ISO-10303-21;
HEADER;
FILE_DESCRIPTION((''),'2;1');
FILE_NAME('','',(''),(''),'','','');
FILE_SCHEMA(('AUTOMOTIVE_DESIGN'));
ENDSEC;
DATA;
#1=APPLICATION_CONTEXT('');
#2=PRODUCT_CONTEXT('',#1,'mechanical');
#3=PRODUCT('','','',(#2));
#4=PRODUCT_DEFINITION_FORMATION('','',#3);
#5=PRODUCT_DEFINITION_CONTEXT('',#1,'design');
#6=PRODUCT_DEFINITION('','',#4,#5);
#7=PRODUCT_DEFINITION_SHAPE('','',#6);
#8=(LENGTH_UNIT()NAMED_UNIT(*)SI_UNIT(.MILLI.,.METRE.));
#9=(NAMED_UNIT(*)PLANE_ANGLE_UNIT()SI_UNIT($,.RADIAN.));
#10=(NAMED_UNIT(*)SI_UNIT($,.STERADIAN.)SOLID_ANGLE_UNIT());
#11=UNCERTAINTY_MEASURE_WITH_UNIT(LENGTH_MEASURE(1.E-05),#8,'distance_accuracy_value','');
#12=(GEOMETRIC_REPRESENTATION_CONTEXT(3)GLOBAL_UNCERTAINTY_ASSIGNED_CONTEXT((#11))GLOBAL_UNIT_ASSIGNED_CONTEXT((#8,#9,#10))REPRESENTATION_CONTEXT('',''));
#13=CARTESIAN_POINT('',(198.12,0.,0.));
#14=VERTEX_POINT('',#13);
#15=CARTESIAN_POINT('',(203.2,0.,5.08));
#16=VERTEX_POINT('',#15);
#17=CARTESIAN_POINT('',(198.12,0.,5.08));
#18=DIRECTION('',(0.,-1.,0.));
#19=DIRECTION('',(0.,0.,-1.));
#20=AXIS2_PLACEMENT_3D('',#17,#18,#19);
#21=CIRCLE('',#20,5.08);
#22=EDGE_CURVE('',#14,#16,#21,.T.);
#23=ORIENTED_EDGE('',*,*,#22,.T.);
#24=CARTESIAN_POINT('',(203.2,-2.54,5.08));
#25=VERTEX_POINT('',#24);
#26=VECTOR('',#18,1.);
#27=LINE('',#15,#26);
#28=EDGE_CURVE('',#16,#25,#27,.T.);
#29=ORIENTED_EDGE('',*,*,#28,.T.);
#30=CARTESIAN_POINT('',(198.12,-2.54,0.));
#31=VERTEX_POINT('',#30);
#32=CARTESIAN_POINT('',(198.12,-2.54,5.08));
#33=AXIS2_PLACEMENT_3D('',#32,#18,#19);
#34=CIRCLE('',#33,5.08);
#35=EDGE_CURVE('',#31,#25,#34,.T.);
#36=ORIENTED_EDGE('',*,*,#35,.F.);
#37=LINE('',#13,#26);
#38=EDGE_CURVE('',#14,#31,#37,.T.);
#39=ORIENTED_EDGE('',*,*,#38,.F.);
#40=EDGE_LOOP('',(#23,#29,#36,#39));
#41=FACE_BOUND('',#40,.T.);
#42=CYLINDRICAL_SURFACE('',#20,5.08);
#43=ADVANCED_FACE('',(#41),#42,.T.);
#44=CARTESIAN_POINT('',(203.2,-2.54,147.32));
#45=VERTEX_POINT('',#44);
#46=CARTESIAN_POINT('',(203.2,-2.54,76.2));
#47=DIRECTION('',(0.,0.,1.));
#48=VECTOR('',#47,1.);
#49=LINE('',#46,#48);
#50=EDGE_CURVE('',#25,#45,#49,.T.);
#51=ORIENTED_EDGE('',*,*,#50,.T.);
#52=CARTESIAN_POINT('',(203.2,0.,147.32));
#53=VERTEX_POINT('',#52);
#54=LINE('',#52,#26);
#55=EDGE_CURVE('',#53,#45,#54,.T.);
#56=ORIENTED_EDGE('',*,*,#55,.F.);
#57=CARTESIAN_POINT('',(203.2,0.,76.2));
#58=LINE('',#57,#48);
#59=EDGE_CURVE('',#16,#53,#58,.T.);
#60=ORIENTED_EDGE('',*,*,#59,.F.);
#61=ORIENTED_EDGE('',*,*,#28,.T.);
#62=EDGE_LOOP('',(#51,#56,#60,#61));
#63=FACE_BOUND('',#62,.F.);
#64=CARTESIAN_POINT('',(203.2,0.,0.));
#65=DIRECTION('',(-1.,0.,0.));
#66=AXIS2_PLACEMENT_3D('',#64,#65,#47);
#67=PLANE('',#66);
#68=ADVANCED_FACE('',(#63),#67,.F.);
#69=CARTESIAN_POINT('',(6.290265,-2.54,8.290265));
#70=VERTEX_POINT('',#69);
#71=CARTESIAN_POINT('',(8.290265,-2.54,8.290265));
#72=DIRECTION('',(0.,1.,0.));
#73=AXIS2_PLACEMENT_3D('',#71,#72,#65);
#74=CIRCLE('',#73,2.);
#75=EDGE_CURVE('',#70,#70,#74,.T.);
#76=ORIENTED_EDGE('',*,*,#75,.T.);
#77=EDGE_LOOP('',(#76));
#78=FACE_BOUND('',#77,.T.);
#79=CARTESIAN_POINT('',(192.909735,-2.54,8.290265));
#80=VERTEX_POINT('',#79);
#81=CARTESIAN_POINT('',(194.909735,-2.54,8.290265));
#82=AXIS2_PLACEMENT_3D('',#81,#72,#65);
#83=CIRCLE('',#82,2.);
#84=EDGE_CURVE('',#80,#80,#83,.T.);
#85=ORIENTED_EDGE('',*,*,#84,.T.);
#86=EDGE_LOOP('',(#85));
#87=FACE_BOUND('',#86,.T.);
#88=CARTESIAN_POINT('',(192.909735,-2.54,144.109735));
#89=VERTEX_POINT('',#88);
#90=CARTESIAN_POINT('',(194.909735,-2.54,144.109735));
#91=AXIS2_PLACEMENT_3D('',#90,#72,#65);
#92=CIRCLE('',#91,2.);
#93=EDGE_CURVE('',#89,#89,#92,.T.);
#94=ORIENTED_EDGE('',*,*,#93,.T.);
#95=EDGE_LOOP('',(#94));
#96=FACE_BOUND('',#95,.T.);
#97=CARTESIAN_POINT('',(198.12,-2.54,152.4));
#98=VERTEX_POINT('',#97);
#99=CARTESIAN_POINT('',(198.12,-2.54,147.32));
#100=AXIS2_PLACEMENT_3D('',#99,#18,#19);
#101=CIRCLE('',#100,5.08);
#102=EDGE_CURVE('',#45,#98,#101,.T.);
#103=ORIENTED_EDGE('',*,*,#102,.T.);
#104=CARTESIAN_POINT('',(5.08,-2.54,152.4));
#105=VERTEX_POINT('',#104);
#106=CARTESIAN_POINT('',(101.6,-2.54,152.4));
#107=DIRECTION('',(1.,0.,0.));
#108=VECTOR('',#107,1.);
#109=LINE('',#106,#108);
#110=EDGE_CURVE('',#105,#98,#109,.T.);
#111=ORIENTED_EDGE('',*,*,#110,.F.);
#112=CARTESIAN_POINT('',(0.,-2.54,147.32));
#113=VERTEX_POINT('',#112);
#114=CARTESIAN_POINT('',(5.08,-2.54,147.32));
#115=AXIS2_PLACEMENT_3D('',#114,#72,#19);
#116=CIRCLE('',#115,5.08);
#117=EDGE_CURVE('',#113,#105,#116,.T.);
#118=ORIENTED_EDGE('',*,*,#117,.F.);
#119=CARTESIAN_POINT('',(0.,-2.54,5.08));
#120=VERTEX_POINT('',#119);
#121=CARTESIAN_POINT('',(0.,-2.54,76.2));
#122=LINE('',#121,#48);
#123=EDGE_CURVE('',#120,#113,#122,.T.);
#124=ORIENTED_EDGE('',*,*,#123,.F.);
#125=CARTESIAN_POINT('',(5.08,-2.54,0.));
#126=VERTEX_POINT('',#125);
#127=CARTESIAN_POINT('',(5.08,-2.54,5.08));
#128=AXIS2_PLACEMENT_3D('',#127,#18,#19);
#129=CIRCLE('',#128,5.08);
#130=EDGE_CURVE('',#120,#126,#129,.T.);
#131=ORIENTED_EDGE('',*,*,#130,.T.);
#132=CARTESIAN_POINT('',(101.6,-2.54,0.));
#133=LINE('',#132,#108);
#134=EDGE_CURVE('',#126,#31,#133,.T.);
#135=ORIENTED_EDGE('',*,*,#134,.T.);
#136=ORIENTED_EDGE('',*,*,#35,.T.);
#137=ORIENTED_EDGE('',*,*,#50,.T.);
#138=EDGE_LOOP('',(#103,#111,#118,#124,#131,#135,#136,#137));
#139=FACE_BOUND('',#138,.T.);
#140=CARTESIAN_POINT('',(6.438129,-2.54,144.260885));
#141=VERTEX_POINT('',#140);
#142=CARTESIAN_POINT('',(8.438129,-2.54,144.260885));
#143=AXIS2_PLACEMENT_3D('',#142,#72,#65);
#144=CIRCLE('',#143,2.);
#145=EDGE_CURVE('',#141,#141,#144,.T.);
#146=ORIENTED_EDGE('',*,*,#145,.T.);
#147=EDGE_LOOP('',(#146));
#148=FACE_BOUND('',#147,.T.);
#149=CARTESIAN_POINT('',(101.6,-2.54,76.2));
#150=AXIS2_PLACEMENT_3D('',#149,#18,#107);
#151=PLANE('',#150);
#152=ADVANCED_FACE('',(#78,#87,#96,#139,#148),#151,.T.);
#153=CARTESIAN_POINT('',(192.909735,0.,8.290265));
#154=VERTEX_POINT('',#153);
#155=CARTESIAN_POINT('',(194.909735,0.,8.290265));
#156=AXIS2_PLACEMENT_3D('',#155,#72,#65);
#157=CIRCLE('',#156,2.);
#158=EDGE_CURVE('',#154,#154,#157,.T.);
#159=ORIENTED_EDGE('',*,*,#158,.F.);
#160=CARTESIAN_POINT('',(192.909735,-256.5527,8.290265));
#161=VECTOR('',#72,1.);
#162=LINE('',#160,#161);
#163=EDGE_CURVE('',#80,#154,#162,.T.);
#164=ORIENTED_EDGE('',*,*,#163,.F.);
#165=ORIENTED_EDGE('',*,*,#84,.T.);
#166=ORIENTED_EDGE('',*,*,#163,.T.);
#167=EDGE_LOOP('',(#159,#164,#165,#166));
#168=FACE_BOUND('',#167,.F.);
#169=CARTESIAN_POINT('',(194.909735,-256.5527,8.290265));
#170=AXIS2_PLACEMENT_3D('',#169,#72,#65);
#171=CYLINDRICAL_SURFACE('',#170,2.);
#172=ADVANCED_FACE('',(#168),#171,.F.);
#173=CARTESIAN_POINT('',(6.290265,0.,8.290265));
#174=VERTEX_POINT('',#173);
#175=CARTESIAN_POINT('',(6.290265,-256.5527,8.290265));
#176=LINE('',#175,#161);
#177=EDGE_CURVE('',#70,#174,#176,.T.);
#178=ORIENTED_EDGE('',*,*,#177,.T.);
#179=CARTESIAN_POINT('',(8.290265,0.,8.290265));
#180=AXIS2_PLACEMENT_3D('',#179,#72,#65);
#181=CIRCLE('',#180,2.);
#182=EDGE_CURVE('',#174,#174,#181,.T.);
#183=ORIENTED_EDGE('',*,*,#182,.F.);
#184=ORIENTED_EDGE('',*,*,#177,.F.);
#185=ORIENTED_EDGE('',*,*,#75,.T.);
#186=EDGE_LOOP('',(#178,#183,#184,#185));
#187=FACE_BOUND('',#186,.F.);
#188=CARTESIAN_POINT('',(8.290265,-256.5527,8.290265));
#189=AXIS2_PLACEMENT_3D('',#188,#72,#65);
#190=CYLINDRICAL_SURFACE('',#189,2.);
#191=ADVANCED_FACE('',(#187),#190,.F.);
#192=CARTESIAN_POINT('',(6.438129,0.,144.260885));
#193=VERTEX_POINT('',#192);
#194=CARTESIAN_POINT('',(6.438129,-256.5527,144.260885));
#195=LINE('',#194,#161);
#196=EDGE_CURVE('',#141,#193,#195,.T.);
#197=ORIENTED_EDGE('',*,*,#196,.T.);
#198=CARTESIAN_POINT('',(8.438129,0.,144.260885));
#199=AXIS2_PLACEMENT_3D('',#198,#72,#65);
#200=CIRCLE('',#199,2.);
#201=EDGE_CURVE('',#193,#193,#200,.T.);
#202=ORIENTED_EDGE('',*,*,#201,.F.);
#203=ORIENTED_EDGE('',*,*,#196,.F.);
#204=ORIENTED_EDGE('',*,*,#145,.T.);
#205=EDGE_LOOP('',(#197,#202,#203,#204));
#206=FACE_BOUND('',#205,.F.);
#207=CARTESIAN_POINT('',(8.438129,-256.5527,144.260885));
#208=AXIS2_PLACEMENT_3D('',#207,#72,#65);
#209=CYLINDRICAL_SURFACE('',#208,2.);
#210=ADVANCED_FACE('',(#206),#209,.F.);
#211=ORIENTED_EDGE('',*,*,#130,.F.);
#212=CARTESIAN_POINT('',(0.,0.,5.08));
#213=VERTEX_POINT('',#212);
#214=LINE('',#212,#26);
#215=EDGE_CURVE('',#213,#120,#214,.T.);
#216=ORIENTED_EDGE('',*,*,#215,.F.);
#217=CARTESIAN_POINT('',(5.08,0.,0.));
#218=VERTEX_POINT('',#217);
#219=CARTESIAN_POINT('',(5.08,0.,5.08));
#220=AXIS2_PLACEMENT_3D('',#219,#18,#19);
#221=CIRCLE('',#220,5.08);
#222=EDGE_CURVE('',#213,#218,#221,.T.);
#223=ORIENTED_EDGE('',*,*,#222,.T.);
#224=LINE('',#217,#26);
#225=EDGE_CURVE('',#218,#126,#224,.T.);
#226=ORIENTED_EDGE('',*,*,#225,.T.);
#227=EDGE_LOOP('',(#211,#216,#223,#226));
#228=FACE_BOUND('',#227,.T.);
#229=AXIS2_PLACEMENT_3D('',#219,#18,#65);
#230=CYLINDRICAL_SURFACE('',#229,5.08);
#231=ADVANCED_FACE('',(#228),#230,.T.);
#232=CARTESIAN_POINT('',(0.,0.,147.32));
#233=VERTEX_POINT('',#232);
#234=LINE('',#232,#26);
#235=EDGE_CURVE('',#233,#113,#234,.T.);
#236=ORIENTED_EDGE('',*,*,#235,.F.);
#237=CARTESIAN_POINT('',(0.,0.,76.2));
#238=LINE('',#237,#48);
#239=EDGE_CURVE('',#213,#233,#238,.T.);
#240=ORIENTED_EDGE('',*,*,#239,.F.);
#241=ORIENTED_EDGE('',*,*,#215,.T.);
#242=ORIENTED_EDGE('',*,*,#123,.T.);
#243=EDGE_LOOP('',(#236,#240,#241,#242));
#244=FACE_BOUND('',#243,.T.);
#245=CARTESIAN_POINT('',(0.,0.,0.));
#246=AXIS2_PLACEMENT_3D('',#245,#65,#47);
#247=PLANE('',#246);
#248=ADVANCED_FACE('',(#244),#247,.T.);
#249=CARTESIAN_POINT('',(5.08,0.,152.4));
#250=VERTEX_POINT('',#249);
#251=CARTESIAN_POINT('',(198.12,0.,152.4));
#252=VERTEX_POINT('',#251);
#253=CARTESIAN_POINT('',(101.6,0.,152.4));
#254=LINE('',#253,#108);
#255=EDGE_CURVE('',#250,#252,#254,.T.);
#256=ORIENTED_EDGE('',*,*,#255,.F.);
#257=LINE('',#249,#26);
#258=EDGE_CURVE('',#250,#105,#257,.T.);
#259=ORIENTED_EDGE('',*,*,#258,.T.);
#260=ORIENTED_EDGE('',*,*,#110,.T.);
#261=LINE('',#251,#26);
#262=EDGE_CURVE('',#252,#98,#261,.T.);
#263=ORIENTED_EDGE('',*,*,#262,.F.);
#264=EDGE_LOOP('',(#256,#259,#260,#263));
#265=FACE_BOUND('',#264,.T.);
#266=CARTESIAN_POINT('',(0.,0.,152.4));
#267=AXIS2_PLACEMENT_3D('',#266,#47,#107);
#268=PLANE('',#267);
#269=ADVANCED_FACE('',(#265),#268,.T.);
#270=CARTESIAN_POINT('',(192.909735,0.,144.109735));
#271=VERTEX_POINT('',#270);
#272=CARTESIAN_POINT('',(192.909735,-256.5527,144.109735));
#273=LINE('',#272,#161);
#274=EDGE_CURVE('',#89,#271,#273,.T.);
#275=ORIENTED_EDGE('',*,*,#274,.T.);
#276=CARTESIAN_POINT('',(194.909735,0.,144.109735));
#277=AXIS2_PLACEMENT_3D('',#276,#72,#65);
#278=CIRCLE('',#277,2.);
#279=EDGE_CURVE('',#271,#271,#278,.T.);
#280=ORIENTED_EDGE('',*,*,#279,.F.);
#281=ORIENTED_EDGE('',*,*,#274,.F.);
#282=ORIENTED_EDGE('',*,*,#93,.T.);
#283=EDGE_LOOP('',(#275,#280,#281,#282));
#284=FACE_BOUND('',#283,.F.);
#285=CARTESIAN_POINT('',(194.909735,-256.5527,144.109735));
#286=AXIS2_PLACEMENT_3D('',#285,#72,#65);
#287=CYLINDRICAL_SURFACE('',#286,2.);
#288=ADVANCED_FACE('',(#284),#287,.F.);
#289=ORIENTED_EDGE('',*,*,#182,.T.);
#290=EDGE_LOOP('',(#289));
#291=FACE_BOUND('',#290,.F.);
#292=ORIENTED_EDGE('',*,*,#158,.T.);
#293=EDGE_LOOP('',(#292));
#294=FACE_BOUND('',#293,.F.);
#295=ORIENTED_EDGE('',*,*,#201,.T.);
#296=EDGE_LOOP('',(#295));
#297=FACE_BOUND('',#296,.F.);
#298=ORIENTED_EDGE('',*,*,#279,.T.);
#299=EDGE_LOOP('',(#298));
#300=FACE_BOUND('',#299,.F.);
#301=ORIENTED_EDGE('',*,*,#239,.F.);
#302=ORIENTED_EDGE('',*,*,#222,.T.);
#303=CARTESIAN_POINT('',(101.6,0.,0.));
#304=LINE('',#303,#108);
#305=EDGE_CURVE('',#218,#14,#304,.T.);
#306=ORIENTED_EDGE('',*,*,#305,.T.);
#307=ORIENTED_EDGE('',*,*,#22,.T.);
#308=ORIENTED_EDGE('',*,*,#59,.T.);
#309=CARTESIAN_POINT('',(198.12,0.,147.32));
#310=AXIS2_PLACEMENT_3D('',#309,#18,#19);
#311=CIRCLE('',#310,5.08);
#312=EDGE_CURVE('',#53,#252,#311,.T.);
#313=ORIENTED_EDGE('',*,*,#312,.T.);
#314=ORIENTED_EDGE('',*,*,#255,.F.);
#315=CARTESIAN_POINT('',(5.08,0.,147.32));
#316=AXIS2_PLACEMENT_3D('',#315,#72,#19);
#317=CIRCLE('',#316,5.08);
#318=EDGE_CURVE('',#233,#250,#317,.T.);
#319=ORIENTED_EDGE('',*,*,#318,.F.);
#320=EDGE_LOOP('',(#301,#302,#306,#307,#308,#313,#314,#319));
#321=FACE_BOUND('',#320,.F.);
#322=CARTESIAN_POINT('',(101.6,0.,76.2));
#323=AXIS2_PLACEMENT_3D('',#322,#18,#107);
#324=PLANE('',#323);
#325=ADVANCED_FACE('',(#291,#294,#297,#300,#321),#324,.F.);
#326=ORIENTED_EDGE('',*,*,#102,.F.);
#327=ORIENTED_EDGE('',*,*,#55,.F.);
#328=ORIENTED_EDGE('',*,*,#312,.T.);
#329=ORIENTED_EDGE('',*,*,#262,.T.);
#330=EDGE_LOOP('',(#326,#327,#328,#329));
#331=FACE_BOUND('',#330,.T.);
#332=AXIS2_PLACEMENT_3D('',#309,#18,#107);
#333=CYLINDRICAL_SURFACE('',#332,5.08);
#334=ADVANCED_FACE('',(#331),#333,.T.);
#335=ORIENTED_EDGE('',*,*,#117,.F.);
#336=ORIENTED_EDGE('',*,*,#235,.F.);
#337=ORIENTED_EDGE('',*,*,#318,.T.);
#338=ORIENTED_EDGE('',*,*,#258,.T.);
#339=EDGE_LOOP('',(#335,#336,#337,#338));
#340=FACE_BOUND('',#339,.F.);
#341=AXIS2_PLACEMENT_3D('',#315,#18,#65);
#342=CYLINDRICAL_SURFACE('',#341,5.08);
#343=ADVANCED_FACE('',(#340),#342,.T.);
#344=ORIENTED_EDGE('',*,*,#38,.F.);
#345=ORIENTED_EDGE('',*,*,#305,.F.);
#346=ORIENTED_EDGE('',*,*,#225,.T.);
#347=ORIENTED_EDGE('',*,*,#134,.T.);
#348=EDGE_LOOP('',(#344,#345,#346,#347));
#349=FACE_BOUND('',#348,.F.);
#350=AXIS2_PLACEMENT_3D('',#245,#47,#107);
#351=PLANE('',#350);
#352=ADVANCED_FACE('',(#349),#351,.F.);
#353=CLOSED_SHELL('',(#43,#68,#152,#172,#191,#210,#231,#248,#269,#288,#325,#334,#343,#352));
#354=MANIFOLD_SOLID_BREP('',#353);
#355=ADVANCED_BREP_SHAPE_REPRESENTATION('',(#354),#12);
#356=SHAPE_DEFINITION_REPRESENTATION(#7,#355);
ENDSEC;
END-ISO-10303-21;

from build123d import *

# Parameters (mm, degrees)
F0_W     = 203.2
F0_H     = 152.4
F1_DEPTH = 2.54
F2_R     = 5.08
F4_D     = 4


with BuildPart() as f1:
    # F0 (on Front) → F1 (new body)
    with BuildSketch(Plane.XZ):
        with Locations((101.6, 76.2)):
            Rectangle(F0_W, F0_H)
    extrude(amount=F1_DEPTH)

    # F2
    f2_edges = [f1.edges().sort_by_distance(p)[0] for p in [
        (0, -1.27, 152.4),
        (0, -1.27, 0),
        (203.2, -1.27, 0),
        (203.2, -1.27, 152.4),
    ]]
    fillet(f2_edges, radius=F2_R)

    # F4 (through all)
    with Locations(Plane.XZ.offset(2.54)):
        with Locations((8.438129, 144.260885), (194.909735, 144.109735), (194.909735, 8.290265), (8.290265, 8.290265)):
            Hole(F4_D / 2)


solid = f1.part
